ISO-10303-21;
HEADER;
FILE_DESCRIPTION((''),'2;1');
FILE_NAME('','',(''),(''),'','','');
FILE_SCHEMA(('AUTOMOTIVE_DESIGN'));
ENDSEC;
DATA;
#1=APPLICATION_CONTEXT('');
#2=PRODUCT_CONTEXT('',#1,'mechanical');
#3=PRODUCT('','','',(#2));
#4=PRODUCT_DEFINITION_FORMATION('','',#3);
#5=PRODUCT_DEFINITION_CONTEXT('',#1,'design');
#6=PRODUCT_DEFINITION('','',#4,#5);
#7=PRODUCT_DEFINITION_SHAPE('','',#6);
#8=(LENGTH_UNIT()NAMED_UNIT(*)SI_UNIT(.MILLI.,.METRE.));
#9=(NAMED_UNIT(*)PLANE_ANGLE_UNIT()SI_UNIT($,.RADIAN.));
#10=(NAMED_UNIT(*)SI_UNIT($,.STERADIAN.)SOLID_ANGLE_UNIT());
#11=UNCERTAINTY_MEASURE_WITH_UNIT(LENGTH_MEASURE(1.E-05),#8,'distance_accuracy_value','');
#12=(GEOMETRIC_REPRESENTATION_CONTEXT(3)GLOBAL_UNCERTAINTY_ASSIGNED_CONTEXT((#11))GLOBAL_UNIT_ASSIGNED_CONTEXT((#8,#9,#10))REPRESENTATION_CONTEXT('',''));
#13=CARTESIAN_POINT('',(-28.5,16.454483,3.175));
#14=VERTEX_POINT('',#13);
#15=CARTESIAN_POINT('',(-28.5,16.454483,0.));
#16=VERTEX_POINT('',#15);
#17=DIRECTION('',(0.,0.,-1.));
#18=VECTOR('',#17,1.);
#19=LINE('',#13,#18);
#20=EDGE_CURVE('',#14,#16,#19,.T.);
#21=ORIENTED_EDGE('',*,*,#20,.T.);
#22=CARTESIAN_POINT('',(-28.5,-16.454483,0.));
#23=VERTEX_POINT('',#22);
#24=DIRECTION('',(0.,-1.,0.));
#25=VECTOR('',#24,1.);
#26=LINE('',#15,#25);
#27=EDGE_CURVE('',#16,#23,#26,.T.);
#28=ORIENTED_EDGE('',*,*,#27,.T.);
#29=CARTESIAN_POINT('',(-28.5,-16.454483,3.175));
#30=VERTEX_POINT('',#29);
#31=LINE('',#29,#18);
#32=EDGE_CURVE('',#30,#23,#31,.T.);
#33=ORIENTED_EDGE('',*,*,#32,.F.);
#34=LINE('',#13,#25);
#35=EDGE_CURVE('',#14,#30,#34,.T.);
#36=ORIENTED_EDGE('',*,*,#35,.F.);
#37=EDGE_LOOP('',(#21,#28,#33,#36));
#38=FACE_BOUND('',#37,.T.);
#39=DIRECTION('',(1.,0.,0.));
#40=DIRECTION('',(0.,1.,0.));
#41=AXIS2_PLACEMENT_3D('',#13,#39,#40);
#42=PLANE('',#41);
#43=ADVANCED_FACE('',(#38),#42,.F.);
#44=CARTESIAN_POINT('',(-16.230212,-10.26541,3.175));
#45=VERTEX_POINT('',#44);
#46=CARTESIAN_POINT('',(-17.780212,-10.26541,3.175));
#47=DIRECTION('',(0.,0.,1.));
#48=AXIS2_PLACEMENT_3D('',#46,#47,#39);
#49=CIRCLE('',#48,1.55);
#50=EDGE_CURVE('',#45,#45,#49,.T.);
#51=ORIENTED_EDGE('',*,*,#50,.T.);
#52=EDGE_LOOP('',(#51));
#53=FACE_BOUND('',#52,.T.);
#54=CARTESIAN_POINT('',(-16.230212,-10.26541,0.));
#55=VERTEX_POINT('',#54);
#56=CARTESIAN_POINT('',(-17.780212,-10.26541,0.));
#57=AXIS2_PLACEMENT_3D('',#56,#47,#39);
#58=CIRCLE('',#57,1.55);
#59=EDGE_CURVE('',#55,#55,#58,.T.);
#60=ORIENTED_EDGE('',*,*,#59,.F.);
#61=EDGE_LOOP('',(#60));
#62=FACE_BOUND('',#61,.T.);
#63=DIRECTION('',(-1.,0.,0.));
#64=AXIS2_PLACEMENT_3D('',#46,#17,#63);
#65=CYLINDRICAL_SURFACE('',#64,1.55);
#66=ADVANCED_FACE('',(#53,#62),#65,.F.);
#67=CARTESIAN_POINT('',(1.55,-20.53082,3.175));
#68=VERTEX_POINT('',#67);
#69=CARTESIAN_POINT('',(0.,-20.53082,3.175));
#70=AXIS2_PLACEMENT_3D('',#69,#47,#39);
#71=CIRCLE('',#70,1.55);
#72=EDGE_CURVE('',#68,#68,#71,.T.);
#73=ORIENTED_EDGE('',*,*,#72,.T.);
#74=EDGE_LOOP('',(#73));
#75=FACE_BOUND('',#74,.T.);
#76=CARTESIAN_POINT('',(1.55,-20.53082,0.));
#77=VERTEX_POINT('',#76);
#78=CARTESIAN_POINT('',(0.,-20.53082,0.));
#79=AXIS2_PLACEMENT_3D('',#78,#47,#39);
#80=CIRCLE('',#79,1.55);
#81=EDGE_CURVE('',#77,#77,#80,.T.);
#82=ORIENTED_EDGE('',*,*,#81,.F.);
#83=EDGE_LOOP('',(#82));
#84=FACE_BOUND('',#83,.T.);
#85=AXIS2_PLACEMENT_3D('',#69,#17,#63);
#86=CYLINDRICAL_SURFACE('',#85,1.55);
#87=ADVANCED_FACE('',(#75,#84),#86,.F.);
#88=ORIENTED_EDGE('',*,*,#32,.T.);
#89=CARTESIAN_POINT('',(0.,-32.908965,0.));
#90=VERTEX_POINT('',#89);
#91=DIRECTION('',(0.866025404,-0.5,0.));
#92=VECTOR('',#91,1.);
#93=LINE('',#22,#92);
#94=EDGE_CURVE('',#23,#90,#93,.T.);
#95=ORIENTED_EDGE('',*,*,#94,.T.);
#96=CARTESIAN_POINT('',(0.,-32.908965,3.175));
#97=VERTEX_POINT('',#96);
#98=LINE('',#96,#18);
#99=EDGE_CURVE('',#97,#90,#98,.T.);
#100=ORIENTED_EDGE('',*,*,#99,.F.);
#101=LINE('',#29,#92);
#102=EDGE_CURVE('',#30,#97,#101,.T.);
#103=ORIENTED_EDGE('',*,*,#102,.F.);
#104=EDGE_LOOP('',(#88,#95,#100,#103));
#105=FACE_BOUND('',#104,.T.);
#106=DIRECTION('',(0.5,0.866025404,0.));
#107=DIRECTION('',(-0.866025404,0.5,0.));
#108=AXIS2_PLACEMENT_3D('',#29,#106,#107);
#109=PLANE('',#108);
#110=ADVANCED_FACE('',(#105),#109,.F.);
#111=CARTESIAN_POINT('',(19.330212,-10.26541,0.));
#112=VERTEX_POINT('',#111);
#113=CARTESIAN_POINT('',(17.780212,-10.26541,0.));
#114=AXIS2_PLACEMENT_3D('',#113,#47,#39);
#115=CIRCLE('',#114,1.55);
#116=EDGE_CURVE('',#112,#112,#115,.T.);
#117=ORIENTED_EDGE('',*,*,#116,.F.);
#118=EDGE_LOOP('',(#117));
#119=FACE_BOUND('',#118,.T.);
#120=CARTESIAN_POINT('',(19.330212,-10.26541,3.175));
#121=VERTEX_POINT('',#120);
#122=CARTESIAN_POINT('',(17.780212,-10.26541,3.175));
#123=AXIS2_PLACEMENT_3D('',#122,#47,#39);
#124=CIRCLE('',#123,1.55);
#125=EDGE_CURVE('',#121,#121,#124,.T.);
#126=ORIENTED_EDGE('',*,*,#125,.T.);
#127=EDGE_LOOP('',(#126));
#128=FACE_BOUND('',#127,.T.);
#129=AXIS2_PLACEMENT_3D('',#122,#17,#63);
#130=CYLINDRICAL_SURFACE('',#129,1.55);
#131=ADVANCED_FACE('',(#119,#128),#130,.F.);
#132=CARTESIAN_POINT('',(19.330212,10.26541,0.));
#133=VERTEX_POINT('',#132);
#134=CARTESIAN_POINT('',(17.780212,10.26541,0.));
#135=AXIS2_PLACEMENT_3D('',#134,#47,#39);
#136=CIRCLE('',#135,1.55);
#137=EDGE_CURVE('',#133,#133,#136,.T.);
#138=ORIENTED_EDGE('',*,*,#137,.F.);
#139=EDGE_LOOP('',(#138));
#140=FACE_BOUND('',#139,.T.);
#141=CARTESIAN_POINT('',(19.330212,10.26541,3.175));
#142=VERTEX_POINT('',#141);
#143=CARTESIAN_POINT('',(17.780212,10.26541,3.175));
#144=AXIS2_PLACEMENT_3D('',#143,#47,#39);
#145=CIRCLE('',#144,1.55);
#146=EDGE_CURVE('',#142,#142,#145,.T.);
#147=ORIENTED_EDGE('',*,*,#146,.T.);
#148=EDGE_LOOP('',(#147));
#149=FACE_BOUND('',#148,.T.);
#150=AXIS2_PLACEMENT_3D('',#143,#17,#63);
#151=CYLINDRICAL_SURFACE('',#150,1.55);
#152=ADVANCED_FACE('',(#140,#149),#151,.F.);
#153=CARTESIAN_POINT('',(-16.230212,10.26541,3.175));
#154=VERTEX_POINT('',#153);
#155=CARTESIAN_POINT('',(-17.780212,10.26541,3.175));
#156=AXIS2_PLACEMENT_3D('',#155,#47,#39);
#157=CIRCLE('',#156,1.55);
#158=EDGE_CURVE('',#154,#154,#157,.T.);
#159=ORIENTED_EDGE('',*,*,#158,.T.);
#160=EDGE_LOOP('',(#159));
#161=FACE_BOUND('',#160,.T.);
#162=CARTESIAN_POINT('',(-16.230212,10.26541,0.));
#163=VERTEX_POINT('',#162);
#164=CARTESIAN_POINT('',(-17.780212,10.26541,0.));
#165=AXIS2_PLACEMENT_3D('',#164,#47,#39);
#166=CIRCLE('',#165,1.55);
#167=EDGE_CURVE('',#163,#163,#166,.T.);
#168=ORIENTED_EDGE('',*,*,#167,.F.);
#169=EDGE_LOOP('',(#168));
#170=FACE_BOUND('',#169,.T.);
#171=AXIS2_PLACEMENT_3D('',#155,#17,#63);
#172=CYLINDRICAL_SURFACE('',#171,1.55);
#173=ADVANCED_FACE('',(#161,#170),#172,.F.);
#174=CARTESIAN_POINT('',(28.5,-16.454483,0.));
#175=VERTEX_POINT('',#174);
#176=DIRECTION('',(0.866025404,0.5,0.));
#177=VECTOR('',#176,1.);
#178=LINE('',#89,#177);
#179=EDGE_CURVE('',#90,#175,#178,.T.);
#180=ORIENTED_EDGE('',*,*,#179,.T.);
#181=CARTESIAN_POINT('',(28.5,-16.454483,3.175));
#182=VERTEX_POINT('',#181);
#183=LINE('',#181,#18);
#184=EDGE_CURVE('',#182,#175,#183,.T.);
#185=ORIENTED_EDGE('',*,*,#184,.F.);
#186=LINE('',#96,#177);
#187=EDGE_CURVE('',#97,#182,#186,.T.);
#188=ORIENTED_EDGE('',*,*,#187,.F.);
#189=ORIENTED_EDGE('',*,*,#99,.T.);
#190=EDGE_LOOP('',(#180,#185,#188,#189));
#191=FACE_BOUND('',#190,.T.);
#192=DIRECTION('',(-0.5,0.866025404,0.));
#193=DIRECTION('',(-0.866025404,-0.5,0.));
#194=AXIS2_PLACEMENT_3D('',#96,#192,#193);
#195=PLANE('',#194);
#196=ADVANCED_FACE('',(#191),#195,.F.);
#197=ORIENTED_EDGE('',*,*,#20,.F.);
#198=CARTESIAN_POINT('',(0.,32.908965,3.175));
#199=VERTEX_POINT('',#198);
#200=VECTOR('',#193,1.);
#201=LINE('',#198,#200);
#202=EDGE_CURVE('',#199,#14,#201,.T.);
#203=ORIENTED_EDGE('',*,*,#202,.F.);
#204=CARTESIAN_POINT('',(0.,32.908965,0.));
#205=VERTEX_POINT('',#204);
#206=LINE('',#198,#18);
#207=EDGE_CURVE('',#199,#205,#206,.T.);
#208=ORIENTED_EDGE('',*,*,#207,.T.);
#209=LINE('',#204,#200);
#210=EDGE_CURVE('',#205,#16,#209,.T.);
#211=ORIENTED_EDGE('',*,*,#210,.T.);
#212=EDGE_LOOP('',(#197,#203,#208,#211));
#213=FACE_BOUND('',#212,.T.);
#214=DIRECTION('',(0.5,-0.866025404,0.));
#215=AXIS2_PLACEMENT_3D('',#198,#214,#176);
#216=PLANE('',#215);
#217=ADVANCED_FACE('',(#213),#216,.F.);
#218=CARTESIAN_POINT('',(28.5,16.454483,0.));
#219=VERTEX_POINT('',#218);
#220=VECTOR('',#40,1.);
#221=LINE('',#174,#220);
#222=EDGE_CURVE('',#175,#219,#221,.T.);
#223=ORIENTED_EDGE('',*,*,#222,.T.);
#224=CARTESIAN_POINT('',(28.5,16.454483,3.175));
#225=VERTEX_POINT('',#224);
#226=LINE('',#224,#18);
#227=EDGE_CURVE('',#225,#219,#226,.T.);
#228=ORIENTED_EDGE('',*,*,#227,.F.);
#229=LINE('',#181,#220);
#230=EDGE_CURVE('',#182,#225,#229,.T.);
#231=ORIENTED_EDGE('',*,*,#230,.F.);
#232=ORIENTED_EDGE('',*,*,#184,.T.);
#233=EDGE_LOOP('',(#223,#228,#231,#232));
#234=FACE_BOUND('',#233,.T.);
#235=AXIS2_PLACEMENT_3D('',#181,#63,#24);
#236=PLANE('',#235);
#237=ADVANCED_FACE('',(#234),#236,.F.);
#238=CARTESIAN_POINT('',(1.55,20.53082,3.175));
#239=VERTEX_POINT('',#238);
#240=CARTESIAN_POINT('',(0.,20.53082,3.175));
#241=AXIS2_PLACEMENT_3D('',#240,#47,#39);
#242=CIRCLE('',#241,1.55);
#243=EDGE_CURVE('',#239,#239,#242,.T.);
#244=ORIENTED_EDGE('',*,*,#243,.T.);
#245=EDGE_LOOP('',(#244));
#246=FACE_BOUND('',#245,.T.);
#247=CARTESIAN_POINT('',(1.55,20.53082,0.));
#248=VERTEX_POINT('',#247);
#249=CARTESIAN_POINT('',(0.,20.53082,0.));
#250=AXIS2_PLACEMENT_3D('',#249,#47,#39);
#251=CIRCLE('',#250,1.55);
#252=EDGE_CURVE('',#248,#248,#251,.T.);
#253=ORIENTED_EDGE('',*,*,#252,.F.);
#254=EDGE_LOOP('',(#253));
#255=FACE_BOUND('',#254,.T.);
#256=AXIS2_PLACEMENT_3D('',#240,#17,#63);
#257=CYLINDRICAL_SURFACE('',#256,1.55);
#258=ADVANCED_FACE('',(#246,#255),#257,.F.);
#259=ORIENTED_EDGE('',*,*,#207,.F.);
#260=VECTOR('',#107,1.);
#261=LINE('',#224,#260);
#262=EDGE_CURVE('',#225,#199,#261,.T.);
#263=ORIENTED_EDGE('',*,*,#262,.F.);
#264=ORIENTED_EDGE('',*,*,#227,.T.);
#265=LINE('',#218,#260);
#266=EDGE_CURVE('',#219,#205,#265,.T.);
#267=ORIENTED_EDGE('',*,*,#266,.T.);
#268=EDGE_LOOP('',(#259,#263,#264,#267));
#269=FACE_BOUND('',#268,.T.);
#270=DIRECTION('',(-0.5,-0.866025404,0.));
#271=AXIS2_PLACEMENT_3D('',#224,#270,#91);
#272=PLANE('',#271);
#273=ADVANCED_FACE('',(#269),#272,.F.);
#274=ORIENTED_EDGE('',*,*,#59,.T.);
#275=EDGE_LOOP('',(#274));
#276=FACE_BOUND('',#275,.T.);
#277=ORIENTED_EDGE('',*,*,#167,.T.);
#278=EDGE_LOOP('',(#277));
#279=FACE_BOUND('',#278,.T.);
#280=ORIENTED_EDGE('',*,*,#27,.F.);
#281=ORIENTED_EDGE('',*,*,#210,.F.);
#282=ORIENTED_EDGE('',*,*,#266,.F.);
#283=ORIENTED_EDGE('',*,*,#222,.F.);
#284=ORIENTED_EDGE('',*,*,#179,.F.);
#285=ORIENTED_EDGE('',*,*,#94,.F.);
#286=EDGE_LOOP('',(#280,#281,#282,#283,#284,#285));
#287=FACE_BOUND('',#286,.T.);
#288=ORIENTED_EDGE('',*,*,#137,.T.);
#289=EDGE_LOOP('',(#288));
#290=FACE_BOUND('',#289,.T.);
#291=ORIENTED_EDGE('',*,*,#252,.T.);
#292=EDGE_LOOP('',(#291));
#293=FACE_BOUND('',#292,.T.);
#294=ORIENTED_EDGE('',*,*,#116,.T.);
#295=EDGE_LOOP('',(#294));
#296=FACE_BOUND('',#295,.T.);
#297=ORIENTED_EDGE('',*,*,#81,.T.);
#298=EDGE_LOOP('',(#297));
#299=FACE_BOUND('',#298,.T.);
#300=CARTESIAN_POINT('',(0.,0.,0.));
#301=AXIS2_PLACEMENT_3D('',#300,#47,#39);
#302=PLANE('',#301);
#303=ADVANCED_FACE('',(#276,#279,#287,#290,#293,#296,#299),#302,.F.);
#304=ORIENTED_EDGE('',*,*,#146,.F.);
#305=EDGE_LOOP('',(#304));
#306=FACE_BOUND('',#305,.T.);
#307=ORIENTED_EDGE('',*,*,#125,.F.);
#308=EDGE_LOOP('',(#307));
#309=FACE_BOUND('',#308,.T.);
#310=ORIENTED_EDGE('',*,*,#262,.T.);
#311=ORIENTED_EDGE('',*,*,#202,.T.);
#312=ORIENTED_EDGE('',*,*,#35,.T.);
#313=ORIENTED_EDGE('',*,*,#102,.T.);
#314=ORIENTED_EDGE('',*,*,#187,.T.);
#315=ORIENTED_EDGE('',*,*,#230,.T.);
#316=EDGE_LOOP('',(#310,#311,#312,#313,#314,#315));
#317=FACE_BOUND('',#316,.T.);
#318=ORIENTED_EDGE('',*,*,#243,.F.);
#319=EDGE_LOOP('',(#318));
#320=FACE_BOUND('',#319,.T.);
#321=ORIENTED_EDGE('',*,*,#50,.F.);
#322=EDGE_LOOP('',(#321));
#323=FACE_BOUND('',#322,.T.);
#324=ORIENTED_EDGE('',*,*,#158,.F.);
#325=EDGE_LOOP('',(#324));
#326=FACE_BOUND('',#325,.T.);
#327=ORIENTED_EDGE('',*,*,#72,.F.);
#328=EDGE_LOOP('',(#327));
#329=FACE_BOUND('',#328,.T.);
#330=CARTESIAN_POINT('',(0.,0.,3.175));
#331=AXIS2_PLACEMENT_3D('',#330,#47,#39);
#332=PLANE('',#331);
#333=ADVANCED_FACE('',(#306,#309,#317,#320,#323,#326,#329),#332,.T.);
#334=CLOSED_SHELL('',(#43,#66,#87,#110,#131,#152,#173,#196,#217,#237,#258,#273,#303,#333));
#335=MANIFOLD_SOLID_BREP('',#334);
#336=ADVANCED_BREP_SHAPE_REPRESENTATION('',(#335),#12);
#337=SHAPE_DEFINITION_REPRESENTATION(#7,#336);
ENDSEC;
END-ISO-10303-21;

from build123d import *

# Parameters (mm, degrees)
SKETCH2_R           = 1.55
BOSS_EXTRUDE1_DEPTH = 3.175


with BuildPart() as part:
    # Sketch2 → Boss-Extrude1 (new body)
    with BuildSketch(Plane(origin=(0, 0, 0), x_dir=(0, 1, 0), z_dir=(0, 0, 1))):
        Polygon((16.454482672, -28.5), (32.908965344, 0), (16.454482672, 28.5), (-16.454482672, 28.5), (-32.908965344, 0), (-16.454482672, -28.5), align=None)
        with Locations(Location((10.26541, 17.780211681, 0), (0, 0, 270))):
            Circle(SKETCH2_R, mode=Mode.SUBTRACT)
        with Locations(Location((20.53082, 0, 0), (0, 0, 270))):
            Circle(SKETCH2_R, mode=Mode.SUBTRACT)
        with Locations(Location((10.26541, -17.780211681, 0), (0, 0, 270))):
            Circle(SKETCH2_R, mode=Mode.SUBTRACT)
        with Locations(Location((-10.26541, -17.780211681, 0), (0, 0, 270))):
            Circle(SKETCH2_R, mode=Mode.SUBTRACT)
        with Locations(Location((-20.53082, 0, 0), (0, 0, 270))):
            Circle(SKETCH2_R, mode=Mode.SUBTRACT)
        with Locations(Location((-10.26541, 17.780211681, 0), (0, 0, 270))):
            Circle(SKETCH2_R, mode=Mode.SUBTRACT)
    extrude(amount=BOSS_EXTRUDE1_DEPTH)


solid = part.part
